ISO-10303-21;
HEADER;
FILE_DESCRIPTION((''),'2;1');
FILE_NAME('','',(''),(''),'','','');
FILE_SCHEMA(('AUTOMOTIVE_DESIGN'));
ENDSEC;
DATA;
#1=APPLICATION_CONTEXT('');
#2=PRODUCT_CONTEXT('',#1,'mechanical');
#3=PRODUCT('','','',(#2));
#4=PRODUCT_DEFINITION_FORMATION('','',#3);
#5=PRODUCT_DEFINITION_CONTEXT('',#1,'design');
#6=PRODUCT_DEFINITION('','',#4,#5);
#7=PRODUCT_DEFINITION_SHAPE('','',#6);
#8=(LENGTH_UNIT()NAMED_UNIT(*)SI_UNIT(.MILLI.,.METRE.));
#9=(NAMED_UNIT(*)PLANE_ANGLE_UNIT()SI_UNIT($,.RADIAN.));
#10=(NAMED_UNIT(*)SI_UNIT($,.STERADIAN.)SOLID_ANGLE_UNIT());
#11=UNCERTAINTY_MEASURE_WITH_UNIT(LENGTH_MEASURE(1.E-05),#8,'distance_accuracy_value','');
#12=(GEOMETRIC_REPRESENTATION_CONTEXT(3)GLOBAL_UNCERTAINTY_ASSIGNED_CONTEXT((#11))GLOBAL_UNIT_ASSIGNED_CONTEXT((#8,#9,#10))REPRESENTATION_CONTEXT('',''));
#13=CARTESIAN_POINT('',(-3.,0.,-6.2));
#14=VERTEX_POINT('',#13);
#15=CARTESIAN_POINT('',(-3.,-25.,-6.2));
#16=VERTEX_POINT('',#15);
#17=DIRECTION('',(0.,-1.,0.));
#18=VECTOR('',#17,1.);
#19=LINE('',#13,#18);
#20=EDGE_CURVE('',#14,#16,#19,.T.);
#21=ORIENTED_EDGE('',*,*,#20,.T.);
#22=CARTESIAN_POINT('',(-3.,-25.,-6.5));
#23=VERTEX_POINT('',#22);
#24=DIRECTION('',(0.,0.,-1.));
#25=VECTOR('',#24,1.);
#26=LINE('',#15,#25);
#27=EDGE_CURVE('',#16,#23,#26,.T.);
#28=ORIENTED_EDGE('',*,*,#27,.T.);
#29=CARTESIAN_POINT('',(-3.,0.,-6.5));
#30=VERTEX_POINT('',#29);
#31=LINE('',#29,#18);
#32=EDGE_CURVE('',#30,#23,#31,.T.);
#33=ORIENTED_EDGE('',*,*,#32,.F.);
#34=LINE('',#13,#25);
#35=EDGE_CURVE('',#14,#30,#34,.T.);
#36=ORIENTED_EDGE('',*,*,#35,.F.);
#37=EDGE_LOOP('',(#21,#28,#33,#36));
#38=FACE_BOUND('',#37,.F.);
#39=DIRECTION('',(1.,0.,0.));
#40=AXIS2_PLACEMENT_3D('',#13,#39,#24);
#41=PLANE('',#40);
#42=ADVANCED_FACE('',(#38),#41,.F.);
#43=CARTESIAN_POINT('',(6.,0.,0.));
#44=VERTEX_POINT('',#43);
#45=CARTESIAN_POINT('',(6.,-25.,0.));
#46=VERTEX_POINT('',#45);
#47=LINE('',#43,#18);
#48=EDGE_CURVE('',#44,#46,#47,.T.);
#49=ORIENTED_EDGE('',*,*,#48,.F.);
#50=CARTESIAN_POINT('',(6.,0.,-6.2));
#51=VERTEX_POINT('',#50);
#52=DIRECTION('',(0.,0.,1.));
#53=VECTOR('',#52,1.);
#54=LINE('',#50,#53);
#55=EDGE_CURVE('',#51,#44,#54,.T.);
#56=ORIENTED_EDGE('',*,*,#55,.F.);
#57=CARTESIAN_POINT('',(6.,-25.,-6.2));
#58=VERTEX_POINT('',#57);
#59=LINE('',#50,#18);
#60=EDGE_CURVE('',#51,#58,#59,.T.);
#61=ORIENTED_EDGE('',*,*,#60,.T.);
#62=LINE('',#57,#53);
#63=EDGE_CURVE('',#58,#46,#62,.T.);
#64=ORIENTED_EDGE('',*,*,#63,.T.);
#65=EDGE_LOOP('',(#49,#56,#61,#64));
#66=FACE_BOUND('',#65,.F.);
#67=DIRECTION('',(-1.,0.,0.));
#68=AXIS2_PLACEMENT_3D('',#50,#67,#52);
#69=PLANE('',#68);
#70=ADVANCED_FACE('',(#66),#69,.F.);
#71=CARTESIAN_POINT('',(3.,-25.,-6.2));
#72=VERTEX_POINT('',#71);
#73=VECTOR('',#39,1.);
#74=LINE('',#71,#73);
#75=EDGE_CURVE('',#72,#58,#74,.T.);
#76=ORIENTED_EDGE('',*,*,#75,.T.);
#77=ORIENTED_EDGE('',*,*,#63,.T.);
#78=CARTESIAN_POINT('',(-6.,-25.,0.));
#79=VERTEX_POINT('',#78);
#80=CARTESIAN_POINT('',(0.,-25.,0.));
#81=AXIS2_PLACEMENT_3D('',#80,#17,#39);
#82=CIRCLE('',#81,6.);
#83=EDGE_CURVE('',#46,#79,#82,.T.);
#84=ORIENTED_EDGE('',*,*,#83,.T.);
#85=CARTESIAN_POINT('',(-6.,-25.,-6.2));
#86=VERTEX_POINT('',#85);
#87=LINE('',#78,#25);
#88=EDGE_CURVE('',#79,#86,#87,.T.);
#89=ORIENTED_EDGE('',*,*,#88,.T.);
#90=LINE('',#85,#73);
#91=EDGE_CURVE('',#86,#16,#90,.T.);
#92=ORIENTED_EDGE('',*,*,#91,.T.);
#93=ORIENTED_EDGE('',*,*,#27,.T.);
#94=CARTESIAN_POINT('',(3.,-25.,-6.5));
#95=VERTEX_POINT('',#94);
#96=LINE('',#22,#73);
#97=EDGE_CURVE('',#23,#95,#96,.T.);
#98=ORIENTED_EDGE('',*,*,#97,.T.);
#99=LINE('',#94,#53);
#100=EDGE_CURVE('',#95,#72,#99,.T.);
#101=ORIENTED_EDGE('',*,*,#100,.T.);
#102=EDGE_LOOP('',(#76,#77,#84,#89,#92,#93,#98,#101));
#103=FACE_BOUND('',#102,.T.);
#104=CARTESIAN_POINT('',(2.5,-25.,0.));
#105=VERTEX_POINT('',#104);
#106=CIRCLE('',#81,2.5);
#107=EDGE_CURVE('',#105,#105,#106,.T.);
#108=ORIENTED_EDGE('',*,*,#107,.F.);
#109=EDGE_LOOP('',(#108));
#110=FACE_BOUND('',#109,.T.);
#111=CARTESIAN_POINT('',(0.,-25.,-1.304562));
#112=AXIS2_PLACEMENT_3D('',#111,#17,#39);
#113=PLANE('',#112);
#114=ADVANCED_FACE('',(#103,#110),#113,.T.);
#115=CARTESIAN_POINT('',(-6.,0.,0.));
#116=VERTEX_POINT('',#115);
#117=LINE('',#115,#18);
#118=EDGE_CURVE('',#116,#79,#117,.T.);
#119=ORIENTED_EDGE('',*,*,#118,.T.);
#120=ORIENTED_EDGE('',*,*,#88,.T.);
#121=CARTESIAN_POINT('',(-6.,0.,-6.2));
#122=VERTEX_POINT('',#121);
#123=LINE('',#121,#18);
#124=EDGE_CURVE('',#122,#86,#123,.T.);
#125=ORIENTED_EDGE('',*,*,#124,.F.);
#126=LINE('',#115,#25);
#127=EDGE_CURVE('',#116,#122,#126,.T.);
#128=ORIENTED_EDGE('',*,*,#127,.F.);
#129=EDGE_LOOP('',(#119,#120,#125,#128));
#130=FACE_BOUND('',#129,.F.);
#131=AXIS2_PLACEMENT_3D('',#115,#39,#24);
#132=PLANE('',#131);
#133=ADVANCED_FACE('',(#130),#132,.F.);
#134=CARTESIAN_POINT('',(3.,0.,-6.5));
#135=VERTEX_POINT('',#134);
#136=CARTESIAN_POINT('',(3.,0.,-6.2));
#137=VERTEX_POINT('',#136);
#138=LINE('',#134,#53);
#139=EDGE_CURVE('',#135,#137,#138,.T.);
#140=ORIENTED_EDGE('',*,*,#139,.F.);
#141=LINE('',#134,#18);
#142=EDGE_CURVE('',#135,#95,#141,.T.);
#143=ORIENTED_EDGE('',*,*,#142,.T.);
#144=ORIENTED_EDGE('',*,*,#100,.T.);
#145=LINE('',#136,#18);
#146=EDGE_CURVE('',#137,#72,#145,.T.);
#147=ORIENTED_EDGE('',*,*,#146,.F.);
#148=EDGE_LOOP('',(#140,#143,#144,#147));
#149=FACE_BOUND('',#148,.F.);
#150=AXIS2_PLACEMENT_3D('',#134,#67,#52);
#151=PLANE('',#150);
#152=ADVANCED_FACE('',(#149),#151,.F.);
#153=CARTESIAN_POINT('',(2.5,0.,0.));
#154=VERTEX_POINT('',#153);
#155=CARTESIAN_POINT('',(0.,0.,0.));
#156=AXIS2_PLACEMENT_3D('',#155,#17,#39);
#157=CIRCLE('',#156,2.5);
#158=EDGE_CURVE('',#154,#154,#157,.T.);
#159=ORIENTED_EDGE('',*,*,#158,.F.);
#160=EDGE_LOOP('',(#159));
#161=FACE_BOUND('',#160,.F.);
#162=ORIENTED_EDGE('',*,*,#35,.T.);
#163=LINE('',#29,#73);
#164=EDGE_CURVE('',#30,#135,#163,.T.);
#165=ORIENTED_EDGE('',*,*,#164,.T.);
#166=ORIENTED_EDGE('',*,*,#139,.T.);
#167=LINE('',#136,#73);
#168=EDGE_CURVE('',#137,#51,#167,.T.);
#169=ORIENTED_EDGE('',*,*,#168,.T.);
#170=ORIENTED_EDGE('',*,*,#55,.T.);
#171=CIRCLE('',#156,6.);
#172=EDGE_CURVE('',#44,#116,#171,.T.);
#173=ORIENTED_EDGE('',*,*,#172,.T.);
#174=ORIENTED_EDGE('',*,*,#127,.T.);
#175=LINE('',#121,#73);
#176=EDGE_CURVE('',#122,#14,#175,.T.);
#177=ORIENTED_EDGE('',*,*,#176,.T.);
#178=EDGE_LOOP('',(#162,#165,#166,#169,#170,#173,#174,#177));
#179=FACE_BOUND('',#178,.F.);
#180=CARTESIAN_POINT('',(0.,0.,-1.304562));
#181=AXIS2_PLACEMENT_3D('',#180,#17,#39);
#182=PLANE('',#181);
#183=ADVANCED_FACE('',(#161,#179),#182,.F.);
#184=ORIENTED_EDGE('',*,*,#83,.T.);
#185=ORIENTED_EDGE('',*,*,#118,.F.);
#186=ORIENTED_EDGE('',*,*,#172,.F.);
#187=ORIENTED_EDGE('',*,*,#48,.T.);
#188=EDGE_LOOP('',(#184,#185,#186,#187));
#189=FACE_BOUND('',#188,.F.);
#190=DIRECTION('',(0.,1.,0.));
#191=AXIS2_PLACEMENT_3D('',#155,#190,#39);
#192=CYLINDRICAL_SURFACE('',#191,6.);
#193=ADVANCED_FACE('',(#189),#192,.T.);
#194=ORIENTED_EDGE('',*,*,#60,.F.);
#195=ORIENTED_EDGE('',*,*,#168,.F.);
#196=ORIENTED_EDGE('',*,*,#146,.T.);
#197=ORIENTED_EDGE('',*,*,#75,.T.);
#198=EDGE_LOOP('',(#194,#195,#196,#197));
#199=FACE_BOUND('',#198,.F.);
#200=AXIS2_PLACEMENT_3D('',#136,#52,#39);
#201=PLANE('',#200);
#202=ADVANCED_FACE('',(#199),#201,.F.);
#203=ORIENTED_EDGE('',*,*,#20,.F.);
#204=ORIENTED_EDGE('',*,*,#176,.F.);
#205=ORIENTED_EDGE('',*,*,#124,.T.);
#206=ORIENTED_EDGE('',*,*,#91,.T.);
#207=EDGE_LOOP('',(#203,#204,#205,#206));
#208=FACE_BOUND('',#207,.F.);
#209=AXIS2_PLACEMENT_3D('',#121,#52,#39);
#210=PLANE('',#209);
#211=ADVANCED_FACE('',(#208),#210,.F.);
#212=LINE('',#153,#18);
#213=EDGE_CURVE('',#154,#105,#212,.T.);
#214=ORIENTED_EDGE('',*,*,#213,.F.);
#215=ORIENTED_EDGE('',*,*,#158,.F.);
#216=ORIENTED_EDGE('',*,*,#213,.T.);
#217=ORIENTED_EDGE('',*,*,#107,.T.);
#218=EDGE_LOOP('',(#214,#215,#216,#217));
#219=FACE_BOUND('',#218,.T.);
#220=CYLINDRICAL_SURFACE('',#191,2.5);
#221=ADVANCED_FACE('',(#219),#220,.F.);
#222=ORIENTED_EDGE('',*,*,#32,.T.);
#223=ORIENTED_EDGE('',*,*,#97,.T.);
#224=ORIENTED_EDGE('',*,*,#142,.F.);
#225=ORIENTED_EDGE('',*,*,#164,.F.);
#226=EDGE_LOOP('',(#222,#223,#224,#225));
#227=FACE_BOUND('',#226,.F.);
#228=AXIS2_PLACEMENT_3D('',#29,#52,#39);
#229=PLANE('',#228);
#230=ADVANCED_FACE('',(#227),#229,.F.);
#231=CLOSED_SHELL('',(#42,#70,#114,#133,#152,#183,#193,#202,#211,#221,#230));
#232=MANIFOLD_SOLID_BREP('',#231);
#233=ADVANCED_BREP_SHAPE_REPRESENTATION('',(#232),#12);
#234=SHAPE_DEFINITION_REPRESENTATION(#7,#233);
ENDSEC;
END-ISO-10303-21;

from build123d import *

# Parameters (mm, degrees)
F0_R     = 2.5
F1_DEPTH = 25


with BuildPart() as f1:
    # F0 (on Front) → F1 (new body)
    with BuildSketch(Plane.XZ):
        with BuildLine():
            Line((6, -6.2), (6, 0))
            ThreePointArc((6, 0), (0, 6), (-6, 0))
            Line((-6, 0), (-6, -6.2))
            Line((-6, -6.2), (-3, -6.2))
            Line((-3, -6.2), (-3, -6.5))
            Line((-3, -6.5), (3, -6.5))
            Line((3, -6.5), (3, -6.2))
            Line((3, -6.2), (6, -6.2))
        make_face()
        Circle(F0_R, mode=Mode.SUBTRACT)
    extrude(amount=F1_DEPTH)


solid = f1.part
